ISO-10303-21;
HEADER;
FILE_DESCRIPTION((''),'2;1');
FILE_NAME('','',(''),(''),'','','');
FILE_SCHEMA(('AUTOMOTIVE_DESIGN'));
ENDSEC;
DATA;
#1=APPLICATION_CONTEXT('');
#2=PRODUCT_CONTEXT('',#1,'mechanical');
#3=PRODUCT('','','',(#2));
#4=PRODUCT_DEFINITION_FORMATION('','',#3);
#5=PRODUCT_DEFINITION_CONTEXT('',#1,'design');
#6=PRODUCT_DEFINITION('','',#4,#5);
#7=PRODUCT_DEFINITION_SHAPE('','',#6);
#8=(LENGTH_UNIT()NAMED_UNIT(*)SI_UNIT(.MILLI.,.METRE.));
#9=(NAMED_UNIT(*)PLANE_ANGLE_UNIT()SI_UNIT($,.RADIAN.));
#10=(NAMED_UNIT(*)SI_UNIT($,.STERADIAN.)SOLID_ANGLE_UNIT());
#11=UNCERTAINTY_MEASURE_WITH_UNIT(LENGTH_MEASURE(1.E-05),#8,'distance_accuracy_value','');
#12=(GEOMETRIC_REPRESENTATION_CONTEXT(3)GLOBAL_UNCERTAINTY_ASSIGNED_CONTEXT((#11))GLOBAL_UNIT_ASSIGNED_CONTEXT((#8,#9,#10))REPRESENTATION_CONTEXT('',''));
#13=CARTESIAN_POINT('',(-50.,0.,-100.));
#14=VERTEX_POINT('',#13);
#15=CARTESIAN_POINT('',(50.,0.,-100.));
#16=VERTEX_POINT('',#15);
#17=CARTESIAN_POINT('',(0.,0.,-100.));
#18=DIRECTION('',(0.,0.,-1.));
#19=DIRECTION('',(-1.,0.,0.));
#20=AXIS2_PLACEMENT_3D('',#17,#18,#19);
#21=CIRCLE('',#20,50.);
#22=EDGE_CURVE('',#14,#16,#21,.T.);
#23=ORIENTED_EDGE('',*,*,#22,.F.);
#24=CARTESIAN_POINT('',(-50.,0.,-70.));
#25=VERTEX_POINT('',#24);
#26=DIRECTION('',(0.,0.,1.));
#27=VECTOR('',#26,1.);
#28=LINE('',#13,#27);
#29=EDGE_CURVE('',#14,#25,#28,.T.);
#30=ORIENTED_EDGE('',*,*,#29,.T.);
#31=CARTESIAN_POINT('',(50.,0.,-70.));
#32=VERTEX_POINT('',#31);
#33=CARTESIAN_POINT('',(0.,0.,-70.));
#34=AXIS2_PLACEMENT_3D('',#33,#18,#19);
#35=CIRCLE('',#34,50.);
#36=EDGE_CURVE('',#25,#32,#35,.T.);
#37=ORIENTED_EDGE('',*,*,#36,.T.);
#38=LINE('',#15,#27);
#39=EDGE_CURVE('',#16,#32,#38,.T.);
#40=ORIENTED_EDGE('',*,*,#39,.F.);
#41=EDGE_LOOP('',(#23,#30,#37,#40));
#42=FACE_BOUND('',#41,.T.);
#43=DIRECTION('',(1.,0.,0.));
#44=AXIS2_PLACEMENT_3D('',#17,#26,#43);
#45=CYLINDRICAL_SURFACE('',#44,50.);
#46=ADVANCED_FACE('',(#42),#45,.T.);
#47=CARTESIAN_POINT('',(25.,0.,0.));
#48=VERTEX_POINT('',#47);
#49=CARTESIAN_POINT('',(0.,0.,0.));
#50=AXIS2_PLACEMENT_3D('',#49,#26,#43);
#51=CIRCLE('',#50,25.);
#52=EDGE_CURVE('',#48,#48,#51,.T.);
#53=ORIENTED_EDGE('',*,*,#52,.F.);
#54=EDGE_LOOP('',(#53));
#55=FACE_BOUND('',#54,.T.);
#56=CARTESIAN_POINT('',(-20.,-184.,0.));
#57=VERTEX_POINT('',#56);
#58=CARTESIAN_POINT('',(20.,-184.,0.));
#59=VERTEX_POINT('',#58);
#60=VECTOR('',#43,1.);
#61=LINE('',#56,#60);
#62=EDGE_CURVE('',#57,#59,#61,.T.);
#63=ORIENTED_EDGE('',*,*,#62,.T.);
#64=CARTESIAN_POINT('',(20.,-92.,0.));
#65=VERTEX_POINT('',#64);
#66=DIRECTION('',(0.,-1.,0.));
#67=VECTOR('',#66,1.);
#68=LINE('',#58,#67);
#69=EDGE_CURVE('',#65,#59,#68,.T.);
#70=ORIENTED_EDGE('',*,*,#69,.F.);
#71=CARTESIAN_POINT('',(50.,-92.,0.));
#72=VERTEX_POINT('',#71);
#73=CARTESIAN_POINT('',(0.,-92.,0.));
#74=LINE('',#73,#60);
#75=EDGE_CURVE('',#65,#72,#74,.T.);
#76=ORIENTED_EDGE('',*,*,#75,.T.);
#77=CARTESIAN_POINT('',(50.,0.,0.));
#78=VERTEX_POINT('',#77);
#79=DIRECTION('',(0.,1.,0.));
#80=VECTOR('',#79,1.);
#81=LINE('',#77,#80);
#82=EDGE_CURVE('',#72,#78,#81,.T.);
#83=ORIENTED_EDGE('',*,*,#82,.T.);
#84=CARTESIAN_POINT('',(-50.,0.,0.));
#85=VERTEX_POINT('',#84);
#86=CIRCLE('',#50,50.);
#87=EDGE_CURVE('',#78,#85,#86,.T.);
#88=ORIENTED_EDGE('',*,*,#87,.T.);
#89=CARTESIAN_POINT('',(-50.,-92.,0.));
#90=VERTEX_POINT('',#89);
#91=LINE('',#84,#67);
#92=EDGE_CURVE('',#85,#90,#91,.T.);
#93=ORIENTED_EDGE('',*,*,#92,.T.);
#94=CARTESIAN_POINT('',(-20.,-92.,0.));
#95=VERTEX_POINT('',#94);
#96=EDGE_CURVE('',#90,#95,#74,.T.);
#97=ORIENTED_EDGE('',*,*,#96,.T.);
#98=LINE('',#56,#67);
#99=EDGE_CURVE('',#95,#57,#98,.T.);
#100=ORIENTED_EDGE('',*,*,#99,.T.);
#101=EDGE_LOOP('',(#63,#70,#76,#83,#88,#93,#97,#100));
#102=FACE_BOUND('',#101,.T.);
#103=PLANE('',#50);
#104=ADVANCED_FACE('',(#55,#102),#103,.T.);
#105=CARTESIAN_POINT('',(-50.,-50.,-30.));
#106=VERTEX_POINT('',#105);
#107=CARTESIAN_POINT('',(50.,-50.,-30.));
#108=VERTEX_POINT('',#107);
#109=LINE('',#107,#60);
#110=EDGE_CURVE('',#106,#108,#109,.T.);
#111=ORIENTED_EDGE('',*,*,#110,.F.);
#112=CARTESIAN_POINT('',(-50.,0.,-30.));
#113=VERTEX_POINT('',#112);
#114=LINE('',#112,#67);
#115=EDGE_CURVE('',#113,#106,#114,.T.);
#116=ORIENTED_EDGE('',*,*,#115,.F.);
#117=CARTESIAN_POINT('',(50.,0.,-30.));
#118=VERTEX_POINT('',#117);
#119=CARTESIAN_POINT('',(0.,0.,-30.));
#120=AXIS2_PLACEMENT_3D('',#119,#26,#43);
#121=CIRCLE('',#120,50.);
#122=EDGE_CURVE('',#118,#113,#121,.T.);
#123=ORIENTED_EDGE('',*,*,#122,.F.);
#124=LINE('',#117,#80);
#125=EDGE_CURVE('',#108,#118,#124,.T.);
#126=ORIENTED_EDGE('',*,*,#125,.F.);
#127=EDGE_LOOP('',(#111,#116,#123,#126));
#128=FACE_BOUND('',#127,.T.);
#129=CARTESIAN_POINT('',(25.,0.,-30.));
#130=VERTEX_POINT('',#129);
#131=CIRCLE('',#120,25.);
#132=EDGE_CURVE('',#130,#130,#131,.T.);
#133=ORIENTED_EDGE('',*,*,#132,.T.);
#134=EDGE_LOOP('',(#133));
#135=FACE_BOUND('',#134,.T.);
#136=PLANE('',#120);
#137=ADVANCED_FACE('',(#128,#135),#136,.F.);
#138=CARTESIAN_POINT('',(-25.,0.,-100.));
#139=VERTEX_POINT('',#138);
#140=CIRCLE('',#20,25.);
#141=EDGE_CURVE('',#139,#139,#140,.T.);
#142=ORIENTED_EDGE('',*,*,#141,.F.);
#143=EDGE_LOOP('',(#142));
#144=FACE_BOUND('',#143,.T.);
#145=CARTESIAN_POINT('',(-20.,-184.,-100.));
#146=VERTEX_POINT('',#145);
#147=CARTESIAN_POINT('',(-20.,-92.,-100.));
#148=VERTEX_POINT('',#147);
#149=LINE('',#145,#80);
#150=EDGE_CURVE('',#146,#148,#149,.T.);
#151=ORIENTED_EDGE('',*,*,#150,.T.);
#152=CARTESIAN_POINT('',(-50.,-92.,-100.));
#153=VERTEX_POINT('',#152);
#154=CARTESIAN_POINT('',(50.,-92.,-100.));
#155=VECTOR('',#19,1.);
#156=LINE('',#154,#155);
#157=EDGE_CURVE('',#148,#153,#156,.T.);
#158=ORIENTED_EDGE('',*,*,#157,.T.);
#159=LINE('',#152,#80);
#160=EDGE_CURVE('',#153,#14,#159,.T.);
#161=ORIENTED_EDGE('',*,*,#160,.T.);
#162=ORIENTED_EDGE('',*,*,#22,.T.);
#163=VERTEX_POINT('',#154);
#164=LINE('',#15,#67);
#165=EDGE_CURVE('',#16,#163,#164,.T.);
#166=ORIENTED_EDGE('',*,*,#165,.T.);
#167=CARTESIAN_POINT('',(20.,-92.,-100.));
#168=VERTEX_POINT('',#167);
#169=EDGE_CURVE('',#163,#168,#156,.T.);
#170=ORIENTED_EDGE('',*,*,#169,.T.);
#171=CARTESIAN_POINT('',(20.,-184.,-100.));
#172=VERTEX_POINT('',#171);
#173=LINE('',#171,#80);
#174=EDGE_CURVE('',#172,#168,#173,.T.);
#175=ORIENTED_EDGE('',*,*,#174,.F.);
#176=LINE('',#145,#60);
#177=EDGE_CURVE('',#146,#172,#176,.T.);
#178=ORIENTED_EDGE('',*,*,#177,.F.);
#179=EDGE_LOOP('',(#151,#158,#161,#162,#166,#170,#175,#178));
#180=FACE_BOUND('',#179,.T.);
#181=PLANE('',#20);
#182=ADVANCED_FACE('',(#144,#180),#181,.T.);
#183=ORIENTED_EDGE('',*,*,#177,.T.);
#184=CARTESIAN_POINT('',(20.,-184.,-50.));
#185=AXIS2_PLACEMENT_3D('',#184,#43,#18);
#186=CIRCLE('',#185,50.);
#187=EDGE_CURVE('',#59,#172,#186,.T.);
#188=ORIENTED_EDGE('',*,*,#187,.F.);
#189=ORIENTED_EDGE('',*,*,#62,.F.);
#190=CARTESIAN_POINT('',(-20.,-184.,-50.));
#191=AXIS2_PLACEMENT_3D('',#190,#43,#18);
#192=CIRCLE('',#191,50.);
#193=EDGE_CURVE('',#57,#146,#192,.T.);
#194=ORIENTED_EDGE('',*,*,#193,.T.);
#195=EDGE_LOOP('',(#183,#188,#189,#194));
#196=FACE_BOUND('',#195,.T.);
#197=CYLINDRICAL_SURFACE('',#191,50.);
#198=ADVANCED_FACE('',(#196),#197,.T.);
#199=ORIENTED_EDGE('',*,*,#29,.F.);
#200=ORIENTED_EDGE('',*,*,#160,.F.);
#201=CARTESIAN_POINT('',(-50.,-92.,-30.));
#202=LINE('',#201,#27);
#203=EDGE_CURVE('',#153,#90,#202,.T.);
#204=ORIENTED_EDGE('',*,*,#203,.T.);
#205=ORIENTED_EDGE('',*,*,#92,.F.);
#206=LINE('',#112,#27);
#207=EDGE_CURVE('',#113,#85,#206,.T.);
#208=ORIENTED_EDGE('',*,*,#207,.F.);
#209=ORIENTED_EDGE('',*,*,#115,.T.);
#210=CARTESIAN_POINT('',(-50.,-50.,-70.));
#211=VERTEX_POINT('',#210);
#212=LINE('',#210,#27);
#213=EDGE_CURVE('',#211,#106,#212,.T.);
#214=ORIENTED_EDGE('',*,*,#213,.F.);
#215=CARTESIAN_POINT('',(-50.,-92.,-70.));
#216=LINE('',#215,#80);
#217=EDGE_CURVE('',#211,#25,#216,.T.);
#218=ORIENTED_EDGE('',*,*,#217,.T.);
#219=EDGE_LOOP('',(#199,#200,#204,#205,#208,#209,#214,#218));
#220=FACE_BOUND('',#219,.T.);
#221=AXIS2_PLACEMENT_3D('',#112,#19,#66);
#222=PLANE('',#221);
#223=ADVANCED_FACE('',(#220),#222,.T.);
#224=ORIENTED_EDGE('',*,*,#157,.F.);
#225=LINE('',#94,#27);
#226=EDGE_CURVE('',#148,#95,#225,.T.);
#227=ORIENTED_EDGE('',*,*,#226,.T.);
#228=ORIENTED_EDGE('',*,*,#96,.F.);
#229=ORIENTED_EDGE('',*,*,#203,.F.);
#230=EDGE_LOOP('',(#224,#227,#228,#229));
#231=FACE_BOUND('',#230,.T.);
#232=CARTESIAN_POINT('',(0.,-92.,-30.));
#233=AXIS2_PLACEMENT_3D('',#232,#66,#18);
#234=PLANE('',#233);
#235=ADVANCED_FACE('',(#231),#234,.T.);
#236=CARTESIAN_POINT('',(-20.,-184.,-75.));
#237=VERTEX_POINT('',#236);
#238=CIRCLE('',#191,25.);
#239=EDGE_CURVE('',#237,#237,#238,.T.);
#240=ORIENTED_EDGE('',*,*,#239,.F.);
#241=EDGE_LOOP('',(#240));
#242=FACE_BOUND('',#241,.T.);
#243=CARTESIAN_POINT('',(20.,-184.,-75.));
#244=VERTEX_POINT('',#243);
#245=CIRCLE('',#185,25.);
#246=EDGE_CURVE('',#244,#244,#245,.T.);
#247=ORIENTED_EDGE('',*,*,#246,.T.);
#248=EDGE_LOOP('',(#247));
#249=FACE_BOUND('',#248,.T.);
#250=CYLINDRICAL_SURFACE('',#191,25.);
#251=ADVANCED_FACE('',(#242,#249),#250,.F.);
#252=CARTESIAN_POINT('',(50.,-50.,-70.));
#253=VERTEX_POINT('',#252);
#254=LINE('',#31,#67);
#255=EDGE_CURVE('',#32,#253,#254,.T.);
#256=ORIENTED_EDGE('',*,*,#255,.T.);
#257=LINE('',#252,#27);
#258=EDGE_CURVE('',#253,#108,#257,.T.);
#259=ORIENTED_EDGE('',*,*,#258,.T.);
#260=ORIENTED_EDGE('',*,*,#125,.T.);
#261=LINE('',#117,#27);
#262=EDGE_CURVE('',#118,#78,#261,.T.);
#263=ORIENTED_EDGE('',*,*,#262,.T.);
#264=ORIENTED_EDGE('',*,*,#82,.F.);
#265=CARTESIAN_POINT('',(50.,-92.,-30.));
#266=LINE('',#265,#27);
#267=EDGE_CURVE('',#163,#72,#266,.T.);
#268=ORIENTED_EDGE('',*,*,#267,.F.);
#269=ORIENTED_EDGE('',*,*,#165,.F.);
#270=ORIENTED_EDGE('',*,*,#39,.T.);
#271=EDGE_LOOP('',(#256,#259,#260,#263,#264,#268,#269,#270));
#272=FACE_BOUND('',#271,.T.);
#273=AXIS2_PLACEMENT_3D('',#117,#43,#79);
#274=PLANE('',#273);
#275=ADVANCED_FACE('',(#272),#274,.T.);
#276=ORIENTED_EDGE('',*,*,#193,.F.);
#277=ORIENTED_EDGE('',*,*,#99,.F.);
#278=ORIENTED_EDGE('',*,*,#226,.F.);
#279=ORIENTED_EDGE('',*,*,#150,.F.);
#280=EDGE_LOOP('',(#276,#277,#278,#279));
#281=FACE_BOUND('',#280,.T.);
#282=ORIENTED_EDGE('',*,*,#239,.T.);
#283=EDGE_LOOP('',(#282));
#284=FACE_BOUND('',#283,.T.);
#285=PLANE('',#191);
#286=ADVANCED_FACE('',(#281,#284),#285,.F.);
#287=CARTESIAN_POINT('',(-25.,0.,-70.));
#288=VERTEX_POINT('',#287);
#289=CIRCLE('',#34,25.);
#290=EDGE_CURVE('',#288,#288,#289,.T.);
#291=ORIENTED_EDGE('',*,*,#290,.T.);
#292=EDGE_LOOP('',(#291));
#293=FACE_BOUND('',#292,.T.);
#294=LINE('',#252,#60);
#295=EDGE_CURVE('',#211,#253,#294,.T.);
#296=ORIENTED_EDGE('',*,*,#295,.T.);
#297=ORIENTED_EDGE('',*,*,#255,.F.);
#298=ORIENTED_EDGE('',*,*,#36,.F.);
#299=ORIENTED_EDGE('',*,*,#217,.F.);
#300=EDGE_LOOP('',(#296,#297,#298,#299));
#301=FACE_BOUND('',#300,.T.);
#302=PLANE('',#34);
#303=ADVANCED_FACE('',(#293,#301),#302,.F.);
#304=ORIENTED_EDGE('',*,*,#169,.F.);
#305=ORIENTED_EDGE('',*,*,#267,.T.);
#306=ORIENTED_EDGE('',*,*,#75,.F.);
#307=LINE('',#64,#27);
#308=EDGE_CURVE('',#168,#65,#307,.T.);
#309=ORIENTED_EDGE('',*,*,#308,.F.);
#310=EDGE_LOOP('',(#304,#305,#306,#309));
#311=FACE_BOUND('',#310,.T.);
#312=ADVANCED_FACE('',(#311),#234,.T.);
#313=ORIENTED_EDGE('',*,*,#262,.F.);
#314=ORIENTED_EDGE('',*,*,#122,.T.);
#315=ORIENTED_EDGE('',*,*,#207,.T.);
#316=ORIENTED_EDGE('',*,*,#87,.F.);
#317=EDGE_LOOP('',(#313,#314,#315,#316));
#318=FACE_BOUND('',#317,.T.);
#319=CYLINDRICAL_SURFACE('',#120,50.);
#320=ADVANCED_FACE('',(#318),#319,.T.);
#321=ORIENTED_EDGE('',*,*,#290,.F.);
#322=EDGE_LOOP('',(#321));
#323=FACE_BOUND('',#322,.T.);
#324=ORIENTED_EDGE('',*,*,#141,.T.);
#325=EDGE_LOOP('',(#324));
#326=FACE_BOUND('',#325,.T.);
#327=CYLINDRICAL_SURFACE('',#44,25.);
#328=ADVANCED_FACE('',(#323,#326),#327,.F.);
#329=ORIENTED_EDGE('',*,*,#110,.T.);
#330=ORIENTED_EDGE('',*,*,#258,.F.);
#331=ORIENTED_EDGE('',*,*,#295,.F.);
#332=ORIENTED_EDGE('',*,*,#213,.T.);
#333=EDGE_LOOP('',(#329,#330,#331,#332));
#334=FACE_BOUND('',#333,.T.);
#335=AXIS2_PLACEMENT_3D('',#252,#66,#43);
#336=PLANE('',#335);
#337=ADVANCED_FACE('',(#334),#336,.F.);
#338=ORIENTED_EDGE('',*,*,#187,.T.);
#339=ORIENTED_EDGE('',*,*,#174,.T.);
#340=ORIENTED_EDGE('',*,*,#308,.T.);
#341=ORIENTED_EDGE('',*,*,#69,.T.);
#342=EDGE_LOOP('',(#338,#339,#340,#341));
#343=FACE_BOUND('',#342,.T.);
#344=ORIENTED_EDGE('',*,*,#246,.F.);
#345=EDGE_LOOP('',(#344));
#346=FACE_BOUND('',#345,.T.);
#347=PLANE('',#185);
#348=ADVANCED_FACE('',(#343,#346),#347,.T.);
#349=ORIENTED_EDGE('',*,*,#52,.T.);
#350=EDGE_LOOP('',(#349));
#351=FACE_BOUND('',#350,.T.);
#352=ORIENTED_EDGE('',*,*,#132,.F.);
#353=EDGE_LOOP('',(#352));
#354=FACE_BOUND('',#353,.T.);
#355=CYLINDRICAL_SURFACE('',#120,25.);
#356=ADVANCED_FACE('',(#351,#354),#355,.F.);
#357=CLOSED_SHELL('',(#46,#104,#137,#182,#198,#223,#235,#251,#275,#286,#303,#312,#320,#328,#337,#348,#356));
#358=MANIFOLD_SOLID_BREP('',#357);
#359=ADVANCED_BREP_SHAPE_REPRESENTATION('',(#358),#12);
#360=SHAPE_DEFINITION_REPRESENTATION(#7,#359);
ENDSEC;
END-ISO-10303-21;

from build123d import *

# Parameters (mm, degrees)
CROQUIS1_R                   = 25
CROQUIS1_W                   = 100
CROQUIS1_H                   = 42
SALIENTE_EXTRUIR1_DEPTH      = 30
CROQUIS4_W                   = 100
CROQUIS4_H                   = 42
SALIENTE_EXTRUIR2_DEPTH      = 40
CROQUIS5_R                   = 25
SALIENTE_EXTRUIR3_DEPTH      = 30
SALIENTE_EXTRUIR4_DEPTH      = 20
SALIENTE_EXTRUIR4_DEPTH_BACK = 20
CROQUIS6_R                   = 25


with BuildPart() as part:
    # Croquis1 → Saliente-Extruir1 (new body)
    # profile 1 of 2: a face of its own
    with BuildSketch(Plane.XY):
        with BuildLine():
            ThreePointArc((50, 0), (0, 50), (-50, 0))
            Line((-50, 0), (-50, -50))
            Line((-50, -50), (50, -50))
            Line((50, -50), (50, 0))
        make_face()
        Circle(CROQUIS1_R, mode=Mode.SUBTRACT)
    # profile 2 of 2: a face of its own
    with BuildSketch(Plane.XY):
        with Locations((0, -71)):
            Rectangle(CROQUIS1_W, CROQUIS1_H)
    extrude(amount=-SALIENTE_EXTRUIR1_DEPTH)

    # Croquis4 → Saliente-Extruir2 (add)
    with BuildSketch(Plane(origin=(0, 0, -30), x_dir=(-1, 0, 0), z_dir=(0, 0, -1))):
        with Locations((0, -71)):
            Rectangle(CROQUIS4_W, CROQUIS4_H)
    extrude(amount=SALIENTE_EXTRUIR2_DEPTH)

    # Croquis5 → Saliente-Extruir3 (add)
    with BuildSketch(Plane(origin=(0, 0, -70), x_dir=(-1, 0, 0), z_dir=(0, 0, -1))):
        with BuildLine():
            Line((-50, 0), (-50, -92))
            Line((-50, -92), (50, -92))
            Line((50, -92), (50, 0))
            ThreePointArc((50, 0), (0, 50), (-50, 0))
        make_face()
        with Locations(Location((0, 0, 0), (0, 0, 180))):
            Circle(CROQUIS5_R, mode=Mode.SUBTRACT)
    extrude(amount=SALIENTE_EXTRUIR3_DEPTH)

    # Croquis6 → Saliente-Extruir4 (add, two sides: drawn at the far end of the back side and taken through both)
    with BuildSketch(Plane(origin=(0, 0, 0), x_dir=(0, 0, -1), z_dir=(1, 0, 0)).offset(-SALIENTE_EXTRUIR4_DEPTH_BACK)):
        with BuildLine():
            Line((0, -184), (0, -92))
            Line((0, -92), (100, -92))
            Line((100, -92), (100, -184))
            ThreePointArc((100, -184), (50, -234), (0, -184))
        make_face()
        with Locations((50, -184)):
            Circle(CROQUIS6_R, mode=Mode.SUBTRACT)
    extrude(amount=SALIENTE_EXTRUIR4_DEPTH + SALIENTE_EXTRUIR4_DEPTH_BACK)


solid = part.part
